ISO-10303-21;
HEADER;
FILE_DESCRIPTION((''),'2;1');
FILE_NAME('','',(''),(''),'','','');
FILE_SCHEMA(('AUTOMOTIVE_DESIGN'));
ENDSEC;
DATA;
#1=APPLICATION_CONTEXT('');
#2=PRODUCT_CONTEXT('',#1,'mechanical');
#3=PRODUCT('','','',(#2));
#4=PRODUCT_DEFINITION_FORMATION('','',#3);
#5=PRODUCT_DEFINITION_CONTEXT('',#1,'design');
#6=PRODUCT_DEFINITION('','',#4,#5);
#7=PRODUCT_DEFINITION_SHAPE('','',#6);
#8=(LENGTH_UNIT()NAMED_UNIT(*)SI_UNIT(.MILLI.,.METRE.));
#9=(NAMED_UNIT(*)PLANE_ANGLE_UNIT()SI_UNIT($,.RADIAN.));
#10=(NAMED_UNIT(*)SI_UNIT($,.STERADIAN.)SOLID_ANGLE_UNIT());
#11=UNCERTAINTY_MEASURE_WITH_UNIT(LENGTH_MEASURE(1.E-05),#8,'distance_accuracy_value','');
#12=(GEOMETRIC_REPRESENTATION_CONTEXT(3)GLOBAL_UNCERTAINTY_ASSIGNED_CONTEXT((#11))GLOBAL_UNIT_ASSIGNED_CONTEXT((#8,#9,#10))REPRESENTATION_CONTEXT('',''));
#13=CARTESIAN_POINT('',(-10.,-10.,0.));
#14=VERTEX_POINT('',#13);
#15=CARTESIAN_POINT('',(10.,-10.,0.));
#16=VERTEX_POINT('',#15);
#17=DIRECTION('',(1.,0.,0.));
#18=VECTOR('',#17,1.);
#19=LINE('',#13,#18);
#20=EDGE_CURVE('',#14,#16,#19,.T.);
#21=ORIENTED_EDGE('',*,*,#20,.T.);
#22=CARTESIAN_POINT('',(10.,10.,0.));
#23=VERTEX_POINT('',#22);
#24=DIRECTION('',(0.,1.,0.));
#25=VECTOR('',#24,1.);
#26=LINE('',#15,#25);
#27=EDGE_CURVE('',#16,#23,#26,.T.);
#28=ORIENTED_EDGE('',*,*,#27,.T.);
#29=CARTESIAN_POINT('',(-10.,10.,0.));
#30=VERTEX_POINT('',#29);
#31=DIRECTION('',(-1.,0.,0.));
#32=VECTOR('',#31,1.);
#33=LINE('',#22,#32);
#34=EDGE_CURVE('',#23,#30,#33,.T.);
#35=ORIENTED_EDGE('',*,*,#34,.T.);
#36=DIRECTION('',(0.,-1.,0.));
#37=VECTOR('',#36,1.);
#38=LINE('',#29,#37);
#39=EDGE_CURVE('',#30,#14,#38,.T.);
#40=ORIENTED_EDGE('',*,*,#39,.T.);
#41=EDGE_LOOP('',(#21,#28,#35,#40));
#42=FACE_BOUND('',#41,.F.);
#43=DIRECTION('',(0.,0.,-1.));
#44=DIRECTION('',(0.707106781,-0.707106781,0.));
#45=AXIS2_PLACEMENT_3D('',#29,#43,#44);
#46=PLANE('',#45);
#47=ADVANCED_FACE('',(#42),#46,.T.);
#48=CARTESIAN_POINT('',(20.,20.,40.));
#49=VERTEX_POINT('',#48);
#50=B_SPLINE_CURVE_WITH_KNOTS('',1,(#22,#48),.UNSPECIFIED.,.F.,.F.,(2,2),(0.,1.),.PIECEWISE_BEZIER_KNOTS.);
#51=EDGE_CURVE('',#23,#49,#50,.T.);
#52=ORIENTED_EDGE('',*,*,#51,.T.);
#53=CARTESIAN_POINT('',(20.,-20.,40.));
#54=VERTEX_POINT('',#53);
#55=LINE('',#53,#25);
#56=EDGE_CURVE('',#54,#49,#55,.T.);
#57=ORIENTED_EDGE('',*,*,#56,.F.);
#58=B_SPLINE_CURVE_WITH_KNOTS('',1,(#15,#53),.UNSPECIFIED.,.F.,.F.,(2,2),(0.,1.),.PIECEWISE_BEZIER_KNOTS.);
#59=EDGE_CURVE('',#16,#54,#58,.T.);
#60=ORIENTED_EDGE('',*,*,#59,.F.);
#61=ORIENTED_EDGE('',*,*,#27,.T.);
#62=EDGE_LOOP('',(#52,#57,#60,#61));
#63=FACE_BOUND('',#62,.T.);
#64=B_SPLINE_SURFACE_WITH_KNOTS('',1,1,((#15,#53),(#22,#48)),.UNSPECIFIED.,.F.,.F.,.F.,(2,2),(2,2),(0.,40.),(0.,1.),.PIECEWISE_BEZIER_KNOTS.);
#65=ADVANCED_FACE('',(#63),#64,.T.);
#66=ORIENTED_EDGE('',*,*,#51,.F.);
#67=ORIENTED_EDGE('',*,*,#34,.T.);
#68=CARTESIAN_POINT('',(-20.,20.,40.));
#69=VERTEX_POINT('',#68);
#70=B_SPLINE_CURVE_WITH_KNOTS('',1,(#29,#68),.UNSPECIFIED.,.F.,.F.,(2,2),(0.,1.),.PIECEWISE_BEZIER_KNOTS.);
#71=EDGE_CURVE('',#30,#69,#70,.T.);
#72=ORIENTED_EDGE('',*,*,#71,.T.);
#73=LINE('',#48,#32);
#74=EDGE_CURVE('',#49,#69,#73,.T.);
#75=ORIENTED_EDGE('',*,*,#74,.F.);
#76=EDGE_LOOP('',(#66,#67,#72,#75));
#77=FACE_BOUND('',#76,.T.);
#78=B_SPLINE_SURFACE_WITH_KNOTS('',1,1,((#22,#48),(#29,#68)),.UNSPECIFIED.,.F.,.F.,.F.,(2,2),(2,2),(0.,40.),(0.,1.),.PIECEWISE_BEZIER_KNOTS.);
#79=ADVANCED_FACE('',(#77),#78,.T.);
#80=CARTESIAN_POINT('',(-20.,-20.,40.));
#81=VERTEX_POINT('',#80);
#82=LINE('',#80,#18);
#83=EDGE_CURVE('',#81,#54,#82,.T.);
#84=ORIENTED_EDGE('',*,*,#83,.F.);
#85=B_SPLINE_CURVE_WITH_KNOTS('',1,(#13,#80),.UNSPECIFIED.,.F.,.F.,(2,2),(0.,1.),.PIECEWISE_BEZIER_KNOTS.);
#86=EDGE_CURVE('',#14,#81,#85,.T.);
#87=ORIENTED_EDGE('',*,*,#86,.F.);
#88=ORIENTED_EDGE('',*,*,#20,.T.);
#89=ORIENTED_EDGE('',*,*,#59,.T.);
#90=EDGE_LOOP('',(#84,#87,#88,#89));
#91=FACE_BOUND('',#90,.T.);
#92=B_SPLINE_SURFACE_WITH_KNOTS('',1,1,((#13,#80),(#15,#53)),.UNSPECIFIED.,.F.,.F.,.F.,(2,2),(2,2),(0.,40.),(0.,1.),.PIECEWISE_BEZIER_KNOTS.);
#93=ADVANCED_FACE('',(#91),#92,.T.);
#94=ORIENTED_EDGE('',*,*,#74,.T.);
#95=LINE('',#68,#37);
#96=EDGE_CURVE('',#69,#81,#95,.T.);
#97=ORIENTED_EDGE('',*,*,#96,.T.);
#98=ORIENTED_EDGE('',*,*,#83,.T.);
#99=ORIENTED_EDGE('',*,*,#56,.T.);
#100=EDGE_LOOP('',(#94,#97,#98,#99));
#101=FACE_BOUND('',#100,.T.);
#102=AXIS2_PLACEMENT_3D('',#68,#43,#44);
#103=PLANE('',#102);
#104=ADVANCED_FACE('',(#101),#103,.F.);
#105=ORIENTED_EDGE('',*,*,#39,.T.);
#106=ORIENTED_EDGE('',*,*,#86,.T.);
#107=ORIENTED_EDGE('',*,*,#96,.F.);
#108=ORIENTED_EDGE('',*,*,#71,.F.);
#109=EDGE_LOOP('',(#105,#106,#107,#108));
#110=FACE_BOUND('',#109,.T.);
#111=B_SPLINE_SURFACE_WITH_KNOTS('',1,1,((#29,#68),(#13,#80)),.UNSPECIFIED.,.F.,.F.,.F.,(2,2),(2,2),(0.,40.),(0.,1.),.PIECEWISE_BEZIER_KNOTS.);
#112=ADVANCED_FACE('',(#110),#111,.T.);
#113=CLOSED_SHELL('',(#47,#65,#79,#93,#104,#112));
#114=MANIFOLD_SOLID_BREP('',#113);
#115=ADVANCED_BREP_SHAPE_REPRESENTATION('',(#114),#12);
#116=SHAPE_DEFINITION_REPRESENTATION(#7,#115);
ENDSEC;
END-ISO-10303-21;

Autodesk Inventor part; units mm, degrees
ref_plane "YZ Plane" through (0, 0, 0) normal (1, 0, 0) x (0, 1, 0)
ref_plane "XZ Plane" through (0, 0, 0) normal (0, 1, 0) x (-1, 0, 0)
sketch "Sketch1" plane through (0, 0, 0) normal (0, 0, 1) x (1, 0, 0)
  line L0 (-10, -10) -> (10, -10)
  line L1 (10, -10) -> (10, 10)
  line L2 (10, 10) -> (-10, 10)
  line L3 (-10, 10) -> (-10, -10)
ref_plane "Work Plane1" through (0, 0, 40) normal (0, 0, 1) x (1, 0, 0)
sketch "Sketch2" plane through (0, 0, 40) normal (0, 0, 1) x (1, 0, 0)
  line L0 (-20, -20) -> (20, -20)
  line L1 (20, -20) -> (20, 20)
  line L2 (20, 20) -> (-20, 20)
  line L3 (-20, 20) -> (-20, -20)
loft "Loft1" add profiles "Sketch1", "Sketch2"
properties part number "28_loft"
